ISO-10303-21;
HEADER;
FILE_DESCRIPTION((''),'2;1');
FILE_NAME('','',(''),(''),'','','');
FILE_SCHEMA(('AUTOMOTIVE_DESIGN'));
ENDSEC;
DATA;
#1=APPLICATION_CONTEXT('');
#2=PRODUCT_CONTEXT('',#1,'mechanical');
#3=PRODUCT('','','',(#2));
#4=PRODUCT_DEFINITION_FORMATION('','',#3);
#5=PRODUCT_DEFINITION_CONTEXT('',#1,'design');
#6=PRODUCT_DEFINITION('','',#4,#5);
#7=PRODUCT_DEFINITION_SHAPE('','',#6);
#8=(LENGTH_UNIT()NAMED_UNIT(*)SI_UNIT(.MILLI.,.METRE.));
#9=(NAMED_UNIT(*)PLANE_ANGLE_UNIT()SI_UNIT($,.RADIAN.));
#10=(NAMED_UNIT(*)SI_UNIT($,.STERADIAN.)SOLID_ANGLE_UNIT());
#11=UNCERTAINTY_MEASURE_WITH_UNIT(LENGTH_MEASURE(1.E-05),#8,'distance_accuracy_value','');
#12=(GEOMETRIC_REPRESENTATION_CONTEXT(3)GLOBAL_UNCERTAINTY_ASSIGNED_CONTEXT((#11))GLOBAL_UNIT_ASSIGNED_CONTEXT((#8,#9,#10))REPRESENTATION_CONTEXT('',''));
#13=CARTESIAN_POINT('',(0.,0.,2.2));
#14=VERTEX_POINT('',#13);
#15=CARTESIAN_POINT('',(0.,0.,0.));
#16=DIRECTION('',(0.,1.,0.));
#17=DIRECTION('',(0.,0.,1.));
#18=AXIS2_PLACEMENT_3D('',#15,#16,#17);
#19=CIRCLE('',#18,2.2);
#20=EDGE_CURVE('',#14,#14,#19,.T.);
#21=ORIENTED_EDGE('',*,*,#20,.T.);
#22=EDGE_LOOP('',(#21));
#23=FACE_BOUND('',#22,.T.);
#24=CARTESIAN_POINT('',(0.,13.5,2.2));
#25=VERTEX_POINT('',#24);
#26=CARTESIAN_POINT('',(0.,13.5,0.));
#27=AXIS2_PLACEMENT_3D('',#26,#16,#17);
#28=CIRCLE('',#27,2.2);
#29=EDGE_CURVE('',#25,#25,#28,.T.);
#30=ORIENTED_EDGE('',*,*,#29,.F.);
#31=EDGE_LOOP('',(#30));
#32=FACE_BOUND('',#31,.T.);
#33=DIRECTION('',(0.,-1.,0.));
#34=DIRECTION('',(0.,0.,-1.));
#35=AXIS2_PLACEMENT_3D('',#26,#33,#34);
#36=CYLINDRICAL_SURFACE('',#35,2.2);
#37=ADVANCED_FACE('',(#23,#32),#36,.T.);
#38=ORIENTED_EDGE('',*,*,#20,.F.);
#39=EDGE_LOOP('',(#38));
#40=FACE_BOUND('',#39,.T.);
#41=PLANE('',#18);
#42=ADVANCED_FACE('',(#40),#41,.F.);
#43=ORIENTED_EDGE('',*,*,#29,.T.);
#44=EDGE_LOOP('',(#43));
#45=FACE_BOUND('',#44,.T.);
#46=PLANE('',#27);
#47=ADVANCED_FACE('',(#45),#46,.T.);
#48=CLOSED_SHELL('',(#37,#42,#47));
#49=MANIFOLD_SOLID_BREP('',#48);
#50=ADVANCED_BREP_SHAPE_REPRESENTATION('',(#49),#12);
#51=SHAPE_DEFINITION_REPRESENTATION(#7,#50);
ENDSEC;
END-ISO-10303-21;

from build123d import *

# Parameters (mm, degrees)
SKETCH_1_R      = 2.2
EXTRUDE_1_DEPTH = 13.5


with BuildPart() as part:
    # 스케치1 → 보스-돌출1 (new body)
    with BuildSketch(Plane(origin=(0, 0, 0), x_dir=(1, 0, 0), z_dir=(0, 1, 0))):
        Circle(SKETCH_1_R)
    extrude(amount=EXTRUDE_1_DEPTH)


solid = part.part
